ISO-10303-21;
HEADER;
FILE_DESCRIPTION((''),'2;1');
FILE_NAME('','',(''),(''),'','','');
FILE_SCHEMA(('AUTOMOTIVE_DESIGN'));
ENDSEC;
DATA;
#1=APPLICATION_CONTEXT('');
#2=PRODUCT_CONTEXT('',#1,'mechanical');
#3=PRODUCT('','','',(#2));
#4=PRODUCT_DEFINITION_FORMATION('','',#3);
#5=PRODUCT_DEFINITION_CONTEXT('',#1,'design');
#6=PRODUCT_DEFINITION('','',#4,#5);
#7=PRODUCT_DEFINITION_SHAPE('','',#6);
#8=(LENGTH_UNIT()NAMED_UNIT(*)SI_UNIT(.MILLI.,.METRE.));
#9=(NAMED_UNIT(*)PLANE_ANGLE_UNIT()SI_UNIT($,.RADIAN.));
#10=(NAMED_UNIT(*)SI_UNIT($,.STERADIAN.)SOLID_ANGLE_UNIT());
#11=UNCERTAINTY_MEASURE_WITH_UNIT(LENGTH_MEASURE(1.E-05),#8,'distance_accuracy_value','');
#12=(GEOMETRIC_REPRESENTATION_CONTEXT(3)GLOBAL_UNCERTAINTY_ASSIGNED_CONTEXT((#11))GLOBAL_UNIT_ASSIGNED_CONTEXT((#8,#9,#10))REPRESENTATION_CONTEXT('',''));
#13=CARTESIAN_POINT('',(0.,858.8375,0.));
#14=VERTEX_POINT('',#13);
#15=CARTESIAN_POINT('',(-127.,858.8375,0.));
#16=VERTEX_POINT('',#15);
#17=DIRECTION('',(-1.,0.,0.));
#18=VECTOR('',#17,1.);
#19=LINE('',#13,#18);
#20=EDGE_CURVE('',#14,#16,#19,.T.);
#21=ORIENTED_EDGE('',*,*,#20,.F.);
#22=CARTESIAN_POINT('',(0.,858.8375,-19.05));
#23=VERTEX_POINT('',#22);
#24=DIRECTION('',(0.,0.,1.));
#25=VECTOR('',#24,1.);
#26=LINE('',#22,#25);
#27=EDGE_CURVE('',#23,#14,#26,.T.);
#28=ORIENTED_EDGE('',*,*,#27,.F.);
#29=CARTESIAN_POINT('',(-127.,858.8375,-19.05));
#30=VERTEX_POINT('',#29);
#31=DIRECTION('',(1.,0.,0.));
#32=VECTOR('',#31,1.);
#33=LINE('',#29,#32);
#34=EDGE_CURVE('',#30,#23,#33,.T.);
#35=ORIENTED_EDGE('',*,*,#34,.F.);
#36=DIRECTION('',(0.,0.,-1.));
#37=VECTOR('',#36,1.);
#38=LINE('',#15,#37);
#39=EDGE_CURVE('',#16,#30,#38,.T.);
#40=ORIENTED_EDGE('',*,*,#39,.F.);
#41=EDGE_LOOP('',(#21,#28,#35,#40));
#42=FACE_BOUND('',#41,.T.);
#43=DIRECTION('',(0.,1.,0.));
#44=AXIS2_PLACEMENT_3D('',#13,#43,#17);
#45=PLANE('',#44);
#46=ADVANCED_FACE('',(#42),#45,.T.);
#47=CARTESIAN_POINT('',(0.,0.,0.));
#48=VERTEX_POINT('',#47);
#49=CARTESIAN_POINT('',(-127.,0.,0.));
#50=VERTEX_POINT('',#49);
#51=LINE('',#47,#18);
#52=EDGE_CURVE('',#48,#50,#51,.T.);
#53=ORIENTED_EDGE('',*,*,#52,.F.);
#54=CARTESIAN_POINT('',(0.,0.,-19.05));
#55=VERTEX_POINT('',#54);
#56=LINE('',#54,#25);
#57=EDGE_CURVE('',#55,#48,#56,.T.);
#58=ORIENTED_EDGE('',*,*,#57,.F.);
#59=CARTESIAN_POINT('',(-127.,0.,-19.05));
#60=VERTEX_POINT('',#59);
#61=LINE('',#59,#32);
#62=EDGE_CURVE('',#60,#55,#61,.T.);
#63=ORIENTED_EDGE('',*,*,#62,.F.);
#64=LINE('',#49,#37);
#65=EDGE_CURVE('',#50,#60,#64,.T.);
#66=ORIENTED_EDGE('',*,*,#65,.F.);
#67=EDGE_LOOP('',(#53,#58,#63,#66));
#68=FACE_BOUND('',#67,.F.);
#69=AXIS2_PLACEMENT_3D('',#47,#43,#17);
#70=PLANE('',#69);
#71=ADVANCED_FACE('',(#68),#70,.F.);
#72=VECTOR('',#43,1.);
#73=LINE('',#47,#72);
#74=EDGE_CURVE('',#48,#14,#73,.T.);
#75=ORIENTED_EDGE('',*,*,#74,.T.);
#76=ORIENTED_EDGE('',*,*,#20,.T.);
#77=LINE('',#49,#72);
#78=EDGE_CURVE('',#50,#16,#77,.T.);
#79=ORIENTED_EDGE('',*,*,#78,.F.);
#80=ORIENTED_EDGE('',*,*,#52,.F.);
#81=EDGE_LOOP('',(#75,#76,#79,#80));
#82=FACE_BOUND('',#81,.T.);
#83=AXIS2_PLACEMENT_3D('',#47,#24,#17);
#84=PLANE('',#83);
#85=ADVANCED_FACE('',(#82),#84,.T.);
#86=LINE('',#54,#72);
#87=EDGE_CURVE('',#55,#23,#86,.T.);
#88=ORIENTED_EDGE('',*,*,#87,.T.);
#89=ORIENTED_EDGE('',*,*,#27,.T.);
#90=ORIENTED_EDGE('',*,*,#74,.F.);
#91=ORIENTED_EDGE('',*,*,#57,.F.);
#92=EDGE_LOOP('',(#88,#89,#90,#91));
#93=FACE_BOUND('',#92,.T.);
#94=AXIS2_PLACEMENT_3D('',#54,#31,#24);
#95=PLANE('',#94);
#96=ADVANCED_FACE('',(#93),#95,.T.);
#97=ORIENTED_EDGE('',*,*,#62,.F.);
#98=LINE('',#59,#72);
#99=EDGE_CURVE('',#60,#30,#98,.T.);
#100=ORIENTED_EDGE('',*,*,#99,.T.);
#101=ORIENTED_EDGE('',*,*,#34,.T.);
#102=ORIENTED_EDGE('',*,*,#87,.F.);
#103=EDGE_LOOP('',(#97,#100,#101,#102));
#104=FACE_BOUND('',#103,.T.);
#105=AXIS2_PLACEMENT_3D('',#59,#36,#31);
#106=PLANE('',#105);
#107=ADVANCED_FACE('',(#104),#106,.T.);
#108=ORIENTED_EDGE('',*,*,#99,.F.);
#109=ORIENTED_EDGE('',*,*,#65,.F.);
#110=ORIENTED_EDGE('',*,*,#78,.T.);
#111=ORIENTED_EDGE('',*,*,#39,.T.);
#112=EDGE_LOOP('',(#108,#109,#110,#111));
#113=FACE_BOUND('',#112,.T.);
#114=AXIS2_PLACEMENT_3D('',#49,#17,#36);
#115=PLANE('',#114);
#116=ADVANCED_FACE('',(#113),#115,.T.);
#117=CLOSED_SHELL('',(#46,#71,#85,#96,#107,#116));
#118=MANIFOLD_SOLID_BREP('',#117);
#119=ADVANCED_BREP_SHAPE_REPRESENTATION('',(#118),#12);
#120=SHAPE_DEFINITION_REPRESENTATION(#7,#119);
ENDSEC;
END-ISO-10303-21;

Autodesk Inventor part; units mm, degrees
ref_plane "YZ Plane" through (0, 0, 0) normal (1, 0, 0) x (0, 1, 0)
ref_plane "XZ Plane" through (0, 0, 0) normal (0, 1, 0) x (-1, 0, 0)
ref_plane "XY Plane" through (0, 0, 0) normal (0, 0, 1) x (1, 0, 0)
sketch "Sketch1" plane through (0, 0, 0) normal (0, 1, 0) x (-1, 0, 0)
  line L0 (0, 0) -> (127, 0)
  line L1 (127, 0) -> (127, -19.05)
  line L2 (127, -19.05) -> (0, -19.05)
  line L3 (0, -19.05) -> (0, 0)
  dimension "d0" = 127
  dimension "d1" = 19.05
extrude "Extrusion1" add sketch "Sketch1" along normal blind 858.8375
properties part number "BumberSide.ver1-1111-2020"
